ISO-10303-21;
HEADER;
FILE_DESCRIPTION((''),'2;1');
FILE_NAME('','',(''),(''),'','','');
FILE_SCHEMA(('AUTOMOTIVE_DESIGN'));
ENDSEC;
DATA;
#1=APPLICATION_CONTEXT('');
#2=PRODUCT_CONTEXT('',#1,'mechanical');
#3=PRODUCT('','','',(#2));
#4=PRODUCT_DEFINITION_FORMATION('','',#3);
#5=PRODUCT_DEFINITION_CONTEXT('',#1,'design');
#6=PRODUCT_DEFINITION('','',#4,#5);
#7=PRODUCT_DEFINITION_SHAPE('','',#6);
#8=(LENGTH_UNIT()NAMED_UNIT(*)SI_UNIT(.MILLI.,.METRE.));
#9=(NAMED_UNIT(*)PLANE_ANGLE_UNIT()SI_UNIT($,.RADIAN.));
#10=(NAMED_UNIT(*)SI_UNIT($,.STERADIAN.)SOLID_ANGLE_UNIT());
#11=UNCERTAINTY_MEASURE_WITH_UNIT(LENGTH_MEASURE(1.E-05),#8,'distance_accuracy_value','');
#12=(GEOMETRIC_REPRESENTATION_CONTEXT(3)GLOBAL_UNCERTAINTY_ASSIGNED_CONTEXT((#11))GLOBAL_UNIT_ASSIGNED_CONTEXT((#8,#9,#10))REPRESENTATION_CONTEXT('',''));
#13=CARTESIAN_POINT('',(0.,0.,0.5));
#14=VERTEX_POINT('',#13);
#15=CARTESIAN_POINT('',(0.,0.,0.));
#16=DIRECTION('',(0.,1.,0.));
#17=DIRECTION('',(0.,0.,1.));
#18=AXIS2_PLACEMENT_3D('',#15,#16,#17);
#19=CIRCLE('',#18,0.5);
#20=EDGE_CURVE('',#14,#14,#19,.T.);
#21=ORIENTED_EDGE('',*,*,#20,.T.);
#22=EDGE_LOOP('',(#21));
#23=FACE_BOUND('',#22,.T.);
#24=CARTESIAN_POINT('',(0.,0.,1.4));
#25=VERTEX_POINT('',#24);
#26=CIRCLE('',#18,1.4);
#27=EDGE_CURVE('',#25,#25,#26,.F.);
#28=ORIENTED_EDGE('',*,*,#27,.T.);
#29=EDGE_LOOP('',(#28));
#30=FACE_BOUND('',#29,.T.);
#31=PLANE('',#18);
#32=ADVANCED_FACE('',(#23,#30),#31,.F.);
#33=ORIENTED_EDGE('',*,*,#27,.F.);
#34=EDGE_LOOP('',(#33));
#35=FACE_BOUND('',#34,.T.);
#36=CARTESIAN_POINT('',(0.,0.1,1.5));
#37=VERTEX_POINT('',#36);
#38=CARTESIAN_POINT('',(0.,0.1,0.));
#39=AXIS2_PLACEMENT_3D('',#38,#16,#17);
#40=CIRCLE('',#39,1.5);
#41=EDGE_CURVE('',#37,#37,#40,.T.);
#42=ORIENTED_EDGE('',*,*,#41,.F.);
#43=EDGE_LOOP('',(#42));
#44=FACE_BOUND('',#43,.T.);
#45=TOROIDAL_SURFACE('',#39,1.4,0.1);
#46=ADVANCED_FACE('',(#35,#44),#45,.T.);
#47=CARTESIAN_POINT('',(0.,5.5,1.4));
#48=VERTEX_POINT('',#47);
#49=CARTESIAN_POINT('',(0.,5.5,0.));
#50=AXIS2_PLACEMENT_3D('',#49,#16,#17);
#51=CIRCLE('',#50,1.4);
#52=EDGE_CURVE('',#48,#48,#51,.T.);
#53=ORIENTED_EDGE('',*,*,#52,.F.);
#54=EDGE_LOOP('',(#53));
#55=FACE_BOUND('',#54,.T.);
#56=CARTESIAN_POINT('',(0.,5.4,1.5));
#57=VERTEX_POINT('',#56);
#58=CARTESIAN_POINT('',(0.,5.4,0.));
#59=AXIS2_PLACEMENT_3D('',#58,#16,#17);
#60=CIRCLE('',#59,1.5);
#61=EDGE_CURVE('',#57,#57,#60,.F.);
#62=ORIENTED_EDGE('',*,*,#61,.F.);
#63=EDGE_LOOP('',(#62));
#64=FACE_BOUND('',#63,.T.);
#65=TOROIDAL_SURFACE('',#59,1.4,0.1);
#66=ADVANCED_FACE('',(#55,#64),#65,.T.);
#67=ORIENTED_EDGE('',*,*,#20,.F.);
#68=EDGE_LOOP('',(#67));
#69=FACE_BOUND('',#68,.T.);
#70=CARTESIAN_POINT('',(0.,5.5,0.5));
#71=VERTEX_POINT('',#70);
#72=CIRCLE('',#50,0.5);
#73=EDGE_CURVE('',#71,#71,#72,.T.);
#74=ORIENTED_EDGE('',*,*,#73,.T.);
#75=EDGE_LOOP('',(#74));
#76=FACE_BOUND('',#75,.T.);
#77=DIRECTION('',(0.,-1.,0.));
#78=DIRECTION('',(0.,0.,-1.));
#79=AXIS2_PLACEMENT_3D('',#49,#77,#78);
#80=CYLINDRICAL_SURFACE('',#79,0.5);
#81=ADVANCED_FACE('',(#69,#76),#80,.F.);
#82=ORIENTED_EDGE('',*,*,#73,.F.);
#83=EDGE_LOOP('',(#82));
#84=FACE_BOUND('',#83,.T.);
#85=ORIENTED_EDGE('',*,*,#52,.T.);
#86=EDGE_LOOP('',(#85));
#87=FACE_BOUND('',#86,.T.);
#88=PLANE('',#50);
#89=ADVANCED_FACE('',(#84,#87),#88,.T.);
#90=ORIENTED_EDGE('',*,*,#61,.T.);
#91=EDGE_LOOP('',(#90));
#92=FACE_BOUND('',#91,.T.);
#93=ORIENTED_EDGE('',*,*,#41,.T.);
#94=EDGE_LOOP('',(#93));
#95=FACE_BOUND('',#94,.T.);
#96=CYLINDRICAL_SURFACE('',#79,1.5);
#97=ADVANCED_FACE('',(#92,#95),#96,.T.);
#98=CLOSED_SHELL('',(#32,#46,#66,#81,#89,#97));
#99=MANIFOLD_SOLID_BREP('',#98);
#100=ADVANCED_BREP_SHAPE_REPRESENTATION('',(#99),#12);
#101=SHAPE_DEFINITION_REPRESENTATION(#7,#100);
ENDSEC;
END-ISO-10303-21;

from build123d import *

# Parameters (mm, degrees)
SKETCH1_R           = 1.5
SKETCH1_R_2         = 0.5
BOSS_EXTRUDE1_DEPTH = 5.5
FILLET1_R           = 0.1


with BuildPart() as part:
    # Sketch1 → Boss-Extrude1 (new body)
    with BuildSketch(Plane(origin=(0, 0, 0), x_dir=(1, 0, 0), z_dir=(0, 1, 0))):
        with Locations(Location((0, 0, 0), (0, 0, 270))):
            Circle(SKETCH1_R)
        with Locations(Location((0, 0, 0), (0, 0, 270))):
            Circle(SKETCH1_R_2, mode=Mode.SUBTRACT)
    extrude(amount=BOSS_EXTRUDE1_DEPTH)

    # Fillet1
    fillet1_edges = [part.edges().sort_by_distance(p)[0] for p in [
        (0, 0, -1.5),
        (0, 5.5, -1.5),
    ]]
    fillet(fillet1_edges, radius=FILLET1_R)


solid = part.part
